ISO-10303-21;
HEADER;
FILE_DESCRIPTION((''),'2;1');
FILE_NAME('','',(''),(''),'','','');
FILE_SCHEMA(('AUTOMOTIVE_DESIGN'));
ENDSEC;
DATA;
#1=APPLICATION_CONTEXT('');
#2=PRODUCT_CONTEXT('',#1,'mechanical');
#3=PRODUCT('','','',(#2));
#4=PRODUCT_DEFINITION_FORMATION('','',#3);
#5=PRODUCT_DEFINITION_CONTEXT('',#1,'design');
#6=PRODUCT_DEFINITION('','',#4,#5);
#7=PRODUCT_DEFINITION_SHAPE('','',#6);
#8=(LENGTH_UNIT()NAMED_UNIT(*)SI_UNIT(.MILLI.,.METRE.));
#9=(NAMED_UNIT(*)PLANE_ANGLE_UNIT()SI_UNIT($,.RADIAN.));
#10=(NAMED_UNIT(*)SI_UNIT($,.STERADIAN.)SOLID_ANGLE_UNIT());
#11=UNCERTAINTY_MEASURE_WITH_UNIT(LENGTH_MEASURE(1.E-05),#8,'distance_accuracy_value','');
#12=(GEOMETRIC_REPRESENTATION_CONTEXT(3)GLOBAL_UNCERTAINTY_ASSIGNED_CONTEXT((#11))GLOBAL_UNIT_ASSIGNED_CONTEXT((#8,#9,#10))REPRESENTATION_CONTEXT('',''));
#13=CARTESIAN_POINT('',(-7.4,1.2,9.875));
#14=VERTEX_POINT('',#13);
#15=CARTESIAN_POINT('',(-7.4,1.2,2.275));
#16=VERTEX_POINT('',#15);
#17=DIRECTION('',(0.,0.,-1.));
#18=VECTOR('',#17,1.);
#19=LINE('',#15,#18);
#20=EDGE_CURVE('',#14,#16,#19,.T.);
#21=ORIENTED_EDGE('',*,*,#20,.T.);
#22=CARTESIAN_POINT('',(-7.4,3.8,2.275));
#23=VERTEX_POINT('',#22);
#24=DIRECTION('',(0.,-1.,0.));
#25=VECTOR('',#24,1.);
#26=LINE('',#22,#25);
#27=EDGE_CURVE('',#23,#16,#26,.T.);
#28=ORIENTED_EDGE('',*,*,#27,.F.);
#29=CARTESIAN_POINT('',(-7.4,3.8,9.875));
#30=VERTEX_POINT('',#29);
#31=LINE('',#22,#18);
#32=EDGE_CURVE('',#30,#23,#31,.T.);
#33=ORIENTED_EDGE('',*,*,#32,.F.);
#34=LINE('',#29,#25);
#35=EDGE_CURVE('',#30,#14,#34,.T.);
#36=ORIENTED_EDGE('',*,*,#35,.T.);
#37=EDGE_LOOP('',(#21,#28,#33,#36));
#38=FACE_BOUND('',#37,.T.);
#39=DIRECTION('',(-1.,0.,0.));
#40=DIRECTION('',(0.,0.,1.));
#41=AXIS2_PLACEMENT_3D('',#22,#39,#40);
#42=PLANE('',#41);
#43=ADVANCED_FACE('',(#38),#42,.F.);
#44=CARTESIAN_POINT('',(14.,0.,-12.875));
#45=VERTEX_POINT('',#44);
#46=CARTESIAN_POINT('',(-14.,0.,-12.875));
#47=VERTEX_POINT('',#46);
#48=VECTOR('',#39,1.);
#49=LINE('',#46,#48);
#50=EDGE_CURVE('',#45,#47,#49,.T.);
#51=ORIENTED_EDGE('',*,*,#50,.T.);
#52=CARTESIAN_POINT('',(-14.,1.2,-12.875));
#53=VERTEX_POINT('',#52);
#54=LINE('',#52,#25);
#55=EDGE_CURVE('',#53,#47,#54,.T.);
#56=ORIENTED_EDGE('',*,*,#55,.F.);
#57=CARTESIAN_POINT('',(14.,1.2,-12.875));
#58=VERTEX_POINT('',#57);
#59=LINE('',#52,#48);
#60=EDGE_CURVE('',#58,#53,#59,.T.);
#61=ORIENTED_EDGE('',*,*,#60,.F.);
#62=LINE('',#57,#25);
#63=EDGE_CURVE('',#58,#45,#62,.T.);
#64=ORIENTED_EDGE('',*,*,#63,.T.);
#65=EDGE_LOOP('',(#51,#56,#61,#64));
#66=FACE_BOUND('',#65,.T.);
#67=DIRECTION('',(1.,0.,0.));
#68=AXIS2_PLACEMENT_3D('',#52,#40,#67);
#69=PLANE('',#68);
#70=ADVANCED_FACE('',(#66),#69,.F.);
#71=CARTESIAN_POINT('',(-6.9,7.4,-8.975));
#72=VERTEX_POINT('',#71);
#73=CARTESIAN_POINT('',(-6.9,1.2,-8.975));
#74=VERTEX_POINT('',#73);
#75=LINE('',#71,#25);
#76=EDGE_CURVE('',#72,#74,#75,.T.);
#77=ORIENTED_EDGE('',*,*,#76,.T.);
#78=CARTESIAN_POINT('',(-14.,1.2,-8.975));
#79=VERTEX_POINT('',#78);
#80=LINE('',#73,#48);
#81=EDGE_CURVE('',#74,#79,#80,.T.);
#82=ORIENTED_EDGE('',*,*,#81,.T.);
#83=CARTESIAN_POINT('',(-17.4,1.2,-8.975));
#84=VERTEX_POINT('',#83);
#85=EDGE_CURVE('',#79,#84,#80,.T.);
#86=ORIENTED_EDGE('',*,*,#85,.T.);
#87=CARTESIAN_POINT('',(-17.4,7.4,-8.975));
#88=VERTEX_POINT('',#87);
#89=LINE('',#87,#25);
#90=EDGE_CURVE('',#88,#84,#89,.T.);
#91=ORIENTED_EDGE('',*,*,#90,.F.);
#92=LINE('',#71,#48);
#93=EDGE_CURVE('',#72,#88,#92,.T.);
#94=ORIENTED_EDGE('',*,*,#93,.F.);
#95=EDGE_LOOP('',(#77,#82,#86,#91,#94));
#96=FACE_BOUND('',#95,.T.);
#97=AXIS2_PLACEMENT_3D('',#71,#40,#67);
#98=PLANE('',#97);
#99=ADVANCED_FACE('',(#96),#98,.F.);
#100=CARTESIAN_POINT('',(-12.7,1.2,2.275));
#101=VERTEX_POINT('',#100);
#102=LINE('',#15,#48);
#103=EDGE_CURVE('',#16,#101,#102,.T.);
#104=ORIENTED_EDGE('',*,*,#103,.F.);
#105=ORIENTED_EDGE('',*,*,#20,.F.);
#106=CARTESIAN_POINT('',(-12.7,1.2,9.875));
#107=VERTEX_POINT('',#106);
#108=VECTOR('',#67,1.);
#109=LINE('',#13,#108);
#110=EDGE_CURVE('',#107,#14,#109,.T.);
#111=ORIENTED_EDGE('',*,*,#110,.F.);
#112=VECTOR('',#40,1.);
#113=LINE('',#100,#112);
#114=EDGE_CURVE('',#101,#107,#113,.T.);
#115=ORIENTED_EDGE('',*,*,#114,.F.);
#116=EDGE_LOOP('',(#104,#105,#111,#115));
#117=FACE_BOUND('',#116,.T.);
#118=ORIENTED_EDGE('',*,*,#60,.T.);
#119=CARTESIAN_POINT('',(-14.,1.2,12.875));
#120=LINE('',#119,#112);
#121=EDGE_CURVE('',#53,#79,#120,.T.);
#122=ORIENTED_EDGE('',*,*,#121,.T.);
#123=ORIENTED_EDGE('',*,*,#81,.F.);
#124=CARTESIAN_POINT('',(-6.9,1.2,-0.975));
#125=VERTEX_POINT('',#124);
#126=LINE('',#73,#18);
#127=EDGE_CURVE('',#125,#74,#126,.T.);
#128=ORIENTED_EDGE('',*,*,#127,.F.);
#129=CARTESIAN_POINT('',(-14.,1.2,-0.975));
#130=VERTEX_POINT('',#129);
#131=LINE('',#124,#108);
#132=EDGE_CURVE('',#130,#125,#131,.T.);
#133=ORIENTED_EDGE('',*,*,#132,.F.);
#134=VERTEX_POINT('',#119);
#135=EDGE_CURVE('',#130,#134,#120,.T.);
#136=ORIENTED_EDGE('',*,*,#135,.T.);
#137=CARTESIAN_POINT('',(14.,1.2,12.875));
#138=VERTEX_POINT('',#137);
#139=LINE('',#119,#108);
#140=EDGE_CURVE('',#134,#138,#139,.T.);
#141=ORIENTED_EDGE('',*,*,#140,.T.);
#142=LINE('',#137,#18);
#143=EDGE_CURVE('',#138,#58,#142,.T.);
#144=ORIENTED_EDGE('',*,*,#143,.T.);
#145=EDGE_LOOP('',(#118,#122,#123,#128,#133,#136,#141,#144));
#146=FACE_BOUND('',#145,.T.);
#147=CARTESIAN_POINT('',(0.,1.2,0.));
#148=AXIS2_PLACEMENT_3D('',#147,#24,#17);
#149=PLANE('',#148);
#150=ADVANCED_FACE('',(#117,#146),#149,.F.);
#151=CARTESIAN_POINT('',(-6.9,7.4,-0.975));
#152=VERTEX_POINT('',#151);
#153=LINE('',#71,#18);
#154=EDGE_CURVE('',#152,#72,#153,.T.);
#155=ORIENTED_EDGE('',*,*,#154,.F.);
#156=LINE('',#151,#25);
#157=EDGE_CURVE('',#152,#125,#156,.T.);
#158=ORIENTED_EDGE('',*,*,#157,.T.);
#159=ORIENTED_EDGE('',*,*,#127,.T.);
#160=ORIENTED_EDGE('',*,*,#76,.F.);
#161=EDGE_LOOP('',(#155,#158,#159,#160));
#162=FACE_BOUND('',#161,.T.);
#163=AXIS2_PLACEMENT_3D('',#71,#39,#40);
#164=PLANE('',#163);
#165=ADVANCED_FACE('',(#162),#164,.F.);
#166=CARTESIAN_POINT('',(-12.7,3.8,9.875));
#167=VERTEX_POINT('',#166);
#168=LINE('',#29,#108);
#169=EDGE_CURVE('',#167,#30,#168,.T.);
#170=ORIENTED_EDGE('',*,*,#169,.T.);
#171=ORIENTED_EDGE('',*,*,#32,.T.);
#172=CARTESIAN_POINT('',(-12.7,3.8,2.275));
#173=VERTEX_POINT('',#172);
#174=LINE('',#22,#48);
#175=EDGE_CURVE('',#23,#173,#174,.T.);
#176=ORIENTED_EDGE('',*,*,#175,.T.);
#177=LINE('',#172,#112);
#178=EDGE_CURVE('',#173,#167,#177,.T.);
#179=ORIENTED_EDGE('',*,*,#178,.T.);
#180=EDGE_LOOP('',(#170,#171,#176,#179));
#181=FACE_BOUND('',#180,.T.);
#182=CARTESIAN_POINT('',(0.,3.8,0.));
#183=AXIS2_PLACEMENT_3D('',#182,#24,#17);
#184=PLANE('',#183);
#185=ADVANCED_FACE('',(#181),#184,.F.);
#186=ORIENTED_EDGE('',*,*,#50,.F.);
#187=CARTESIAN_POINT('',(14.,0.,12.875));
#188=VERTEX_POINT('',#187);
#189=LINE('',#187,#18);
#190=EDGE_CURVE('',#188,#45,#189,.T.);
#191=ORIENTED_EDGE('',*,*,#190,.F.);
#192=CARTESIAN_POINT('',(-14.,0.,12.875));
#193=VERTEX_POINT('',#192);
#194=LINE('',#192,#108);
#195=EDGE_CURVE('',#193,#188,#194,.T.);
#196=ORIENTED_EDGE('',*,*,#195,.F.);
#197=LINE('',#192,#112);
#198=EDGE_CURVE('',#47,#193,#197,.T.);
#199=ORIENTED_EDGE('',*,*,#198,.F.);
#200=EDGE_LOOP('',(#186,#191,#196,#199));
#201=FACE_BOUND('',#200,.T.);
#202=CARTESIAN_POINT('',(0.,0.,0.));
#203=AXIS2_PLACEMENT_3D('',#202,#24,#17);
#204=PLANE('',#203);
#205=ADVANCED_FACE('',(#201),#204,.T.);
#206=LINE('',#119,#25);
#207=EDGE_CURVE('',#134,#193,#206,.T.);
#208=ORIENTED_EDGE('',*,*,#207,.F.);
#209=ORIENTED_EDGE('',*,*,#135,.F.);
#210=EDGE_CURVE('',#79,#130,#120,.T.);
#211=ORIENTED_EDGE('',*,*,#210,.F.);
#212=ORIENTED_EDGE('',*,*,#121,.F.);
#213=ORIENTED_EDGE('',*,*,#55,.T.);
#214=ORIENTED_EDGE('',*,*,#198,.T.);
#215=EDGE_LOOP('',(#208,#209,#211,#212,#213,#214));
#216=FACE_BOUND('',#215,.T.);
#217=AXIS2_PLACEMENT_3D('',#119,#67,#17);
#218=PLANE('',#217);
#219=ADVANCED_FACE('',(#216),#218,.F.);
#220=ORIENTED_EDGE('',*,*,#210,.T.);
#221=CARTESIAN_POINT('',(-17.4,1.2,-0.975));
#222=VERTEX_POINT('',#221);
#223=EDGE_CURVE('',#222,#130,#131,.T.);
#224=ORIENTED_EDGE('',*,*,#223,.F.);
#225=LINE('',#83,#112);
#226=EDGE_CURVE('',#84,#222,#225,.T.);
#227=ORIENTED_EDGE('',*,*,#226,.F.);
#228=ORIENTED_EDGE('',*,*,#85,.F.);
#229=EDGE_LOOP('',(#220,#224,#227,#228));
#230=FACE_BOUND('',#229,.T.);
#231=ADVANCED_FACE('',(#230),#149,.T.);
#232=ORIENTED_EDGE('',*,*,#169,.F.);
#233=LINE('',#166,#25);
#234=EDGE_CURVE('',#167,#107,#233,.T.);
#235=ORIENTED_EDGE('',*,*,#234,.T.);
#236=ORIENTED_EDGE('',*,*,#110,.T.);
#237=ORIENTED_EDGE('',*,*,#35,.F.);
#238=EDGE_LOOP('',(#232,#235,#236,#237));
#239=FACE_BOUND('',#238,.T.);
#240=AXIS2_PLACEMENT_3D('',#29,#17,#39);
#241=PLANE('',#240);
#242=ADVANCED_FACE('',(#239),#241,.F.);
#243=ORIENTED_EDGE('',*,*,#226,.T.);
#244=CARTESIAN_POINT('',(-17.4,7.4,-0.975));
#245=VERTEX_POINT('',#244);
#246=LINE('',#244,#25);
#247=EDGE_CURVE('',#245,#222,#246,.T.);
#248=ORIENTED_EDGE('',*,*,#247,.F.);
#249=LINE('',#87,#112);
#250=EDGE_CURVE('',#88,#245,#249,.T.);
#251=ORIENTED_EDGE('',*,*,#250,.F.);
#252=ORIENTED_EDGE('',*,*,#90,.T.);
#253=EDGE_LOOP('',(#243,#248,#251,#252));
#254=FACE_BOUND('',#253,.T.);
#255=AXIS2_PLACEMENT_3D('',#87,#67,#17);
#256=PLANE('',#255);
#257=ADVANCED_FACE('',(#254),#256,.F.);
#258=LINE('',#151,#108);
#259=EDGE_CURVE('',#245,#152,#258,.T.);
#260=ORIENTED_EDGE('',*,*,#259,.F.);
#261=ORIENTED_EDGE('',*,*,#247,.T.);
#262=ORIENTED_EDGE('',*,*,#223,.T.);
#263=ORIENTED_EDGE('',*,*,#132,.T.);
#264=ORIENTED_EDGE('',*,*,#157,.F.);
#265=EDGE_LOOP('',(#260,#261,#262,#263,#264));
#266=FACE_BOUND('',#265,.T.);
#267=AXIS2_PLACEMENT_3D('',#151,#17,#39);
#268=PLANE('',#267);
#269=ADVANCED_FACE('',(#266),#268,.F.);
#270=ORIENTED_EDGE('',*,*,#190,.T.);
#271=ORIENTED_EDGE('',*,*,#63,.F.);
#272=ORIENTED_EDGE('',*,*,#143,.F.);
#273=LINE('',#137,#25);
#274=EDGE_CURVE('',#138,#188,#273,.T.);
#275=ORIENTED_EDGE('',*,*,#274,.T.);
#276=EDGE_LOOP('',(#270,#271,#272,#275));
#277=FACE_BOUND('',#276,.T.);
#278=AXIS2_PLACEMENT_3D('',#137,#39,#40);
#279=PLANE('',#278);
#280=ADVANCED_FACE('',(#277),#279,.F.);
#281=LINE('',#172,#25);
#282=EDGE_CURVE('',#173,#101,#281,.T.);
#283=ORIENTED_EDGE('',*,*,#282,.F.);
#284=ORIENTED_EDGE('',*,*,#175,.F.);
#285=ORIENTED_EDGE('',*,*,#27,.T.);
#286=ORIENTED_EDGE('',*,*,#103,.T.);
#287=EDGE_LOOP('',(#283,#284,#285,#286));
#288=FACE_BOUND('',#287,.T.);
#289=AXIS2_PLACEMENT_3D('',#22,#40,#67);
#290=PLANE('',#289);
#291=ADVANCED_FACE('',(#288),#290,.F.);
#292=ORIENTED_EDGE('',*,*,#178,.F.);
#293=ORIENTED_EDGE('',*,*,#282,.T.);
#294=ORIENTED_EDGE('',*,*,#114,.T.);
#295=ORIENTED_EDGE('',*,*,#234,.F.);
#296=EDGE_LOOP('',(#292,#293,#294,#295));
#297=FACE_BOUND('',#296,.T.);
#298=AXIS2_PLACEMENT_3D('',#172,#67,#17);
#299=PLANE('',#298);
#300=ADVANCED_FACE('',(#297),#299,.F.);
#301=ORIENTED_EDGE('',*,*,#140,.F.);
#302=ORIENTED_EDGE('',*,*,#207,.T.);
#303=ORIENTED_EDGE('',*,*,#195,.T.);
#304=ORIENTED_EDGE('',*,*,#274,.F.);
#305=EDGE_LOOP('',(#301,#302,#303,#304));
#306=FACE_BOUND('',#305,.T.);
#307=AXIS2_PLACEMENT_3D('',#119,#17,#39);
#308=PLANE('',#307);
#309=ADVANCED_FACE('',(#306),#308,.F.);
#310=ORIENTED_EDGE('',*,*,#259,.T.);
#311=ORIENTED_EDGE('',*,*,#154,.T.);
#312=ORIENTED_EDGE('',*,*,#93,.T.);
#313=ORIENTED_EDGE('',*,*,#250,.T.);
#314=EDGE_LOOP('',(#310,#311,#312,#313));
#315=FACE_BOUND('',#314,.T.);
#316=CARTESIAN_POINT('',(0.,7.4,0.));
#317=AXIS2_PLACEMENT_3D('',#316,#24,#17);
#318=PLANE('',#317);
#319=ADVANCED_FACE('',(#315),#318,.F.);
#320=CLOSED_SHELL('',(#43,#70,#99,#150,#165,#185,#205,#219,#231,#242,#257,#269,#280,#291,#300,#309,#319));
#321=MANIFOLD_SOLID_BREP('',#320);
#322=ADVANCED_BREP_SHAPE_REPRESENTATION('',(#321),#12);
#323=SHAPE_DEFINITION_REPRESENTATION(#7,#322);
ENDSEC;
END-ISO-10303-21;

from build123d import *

# Parameters (mm, degrees)
SKETCH1_W           = 28
SKETCH1_H           = 25.75
BOSS_EXTRUDE1_DEPTH = 1.2
SKETCH2_W           = 10.5
SKETCH2_H           = 8
BOSS_EXTRUDE2_DEPTH = 6.2
SKETCH3_W           = 5.3
SKETCH3_H           = 7.6
BOSS_EXTRUDE3_DEPTH = 2.6


with BuildPart() as part:
    # Sketch1 → Boss-Extrude1 (new body)
    with BuildSketch(Plane(origin=(0, 0, 0), x_dir=(1, 0, 0), z_dir=(0, 1, 0))):
        Rectangle(SKETCH1_W, SKETCH1_H)
    extrude(amount=BOSS_EXTRUDE1_DEPTH)

    # Sketch2 → Boss-Extrude2 (add)
    with BuildSketch(Plane(origin=(0, 1.2, 0), x_dir=(1, 0, 0), z_dir=(0, 1, 0))):
        with Locations((-12.15, 4.975)):
            Rectangle(SKETCH2_W, SKETCH2_H)
    extrude(amount=BOSS_EXTRUDE2_DEPTH)

    # Sketch3 → Boss-Extrude3 (add)
    with BuildSketch(Plane(origin=(0, 1.2, 0), x_dir=(1, 0, 0), z_dir=(0, 1, 0))):
        with Locations((-10.05, -6.075)):
            Rectangle(SKETCH3_W, SKETCH3_H)
    extrude(amount=BOSS_EXTRUDE3_DEPTH)


solid = part.part
